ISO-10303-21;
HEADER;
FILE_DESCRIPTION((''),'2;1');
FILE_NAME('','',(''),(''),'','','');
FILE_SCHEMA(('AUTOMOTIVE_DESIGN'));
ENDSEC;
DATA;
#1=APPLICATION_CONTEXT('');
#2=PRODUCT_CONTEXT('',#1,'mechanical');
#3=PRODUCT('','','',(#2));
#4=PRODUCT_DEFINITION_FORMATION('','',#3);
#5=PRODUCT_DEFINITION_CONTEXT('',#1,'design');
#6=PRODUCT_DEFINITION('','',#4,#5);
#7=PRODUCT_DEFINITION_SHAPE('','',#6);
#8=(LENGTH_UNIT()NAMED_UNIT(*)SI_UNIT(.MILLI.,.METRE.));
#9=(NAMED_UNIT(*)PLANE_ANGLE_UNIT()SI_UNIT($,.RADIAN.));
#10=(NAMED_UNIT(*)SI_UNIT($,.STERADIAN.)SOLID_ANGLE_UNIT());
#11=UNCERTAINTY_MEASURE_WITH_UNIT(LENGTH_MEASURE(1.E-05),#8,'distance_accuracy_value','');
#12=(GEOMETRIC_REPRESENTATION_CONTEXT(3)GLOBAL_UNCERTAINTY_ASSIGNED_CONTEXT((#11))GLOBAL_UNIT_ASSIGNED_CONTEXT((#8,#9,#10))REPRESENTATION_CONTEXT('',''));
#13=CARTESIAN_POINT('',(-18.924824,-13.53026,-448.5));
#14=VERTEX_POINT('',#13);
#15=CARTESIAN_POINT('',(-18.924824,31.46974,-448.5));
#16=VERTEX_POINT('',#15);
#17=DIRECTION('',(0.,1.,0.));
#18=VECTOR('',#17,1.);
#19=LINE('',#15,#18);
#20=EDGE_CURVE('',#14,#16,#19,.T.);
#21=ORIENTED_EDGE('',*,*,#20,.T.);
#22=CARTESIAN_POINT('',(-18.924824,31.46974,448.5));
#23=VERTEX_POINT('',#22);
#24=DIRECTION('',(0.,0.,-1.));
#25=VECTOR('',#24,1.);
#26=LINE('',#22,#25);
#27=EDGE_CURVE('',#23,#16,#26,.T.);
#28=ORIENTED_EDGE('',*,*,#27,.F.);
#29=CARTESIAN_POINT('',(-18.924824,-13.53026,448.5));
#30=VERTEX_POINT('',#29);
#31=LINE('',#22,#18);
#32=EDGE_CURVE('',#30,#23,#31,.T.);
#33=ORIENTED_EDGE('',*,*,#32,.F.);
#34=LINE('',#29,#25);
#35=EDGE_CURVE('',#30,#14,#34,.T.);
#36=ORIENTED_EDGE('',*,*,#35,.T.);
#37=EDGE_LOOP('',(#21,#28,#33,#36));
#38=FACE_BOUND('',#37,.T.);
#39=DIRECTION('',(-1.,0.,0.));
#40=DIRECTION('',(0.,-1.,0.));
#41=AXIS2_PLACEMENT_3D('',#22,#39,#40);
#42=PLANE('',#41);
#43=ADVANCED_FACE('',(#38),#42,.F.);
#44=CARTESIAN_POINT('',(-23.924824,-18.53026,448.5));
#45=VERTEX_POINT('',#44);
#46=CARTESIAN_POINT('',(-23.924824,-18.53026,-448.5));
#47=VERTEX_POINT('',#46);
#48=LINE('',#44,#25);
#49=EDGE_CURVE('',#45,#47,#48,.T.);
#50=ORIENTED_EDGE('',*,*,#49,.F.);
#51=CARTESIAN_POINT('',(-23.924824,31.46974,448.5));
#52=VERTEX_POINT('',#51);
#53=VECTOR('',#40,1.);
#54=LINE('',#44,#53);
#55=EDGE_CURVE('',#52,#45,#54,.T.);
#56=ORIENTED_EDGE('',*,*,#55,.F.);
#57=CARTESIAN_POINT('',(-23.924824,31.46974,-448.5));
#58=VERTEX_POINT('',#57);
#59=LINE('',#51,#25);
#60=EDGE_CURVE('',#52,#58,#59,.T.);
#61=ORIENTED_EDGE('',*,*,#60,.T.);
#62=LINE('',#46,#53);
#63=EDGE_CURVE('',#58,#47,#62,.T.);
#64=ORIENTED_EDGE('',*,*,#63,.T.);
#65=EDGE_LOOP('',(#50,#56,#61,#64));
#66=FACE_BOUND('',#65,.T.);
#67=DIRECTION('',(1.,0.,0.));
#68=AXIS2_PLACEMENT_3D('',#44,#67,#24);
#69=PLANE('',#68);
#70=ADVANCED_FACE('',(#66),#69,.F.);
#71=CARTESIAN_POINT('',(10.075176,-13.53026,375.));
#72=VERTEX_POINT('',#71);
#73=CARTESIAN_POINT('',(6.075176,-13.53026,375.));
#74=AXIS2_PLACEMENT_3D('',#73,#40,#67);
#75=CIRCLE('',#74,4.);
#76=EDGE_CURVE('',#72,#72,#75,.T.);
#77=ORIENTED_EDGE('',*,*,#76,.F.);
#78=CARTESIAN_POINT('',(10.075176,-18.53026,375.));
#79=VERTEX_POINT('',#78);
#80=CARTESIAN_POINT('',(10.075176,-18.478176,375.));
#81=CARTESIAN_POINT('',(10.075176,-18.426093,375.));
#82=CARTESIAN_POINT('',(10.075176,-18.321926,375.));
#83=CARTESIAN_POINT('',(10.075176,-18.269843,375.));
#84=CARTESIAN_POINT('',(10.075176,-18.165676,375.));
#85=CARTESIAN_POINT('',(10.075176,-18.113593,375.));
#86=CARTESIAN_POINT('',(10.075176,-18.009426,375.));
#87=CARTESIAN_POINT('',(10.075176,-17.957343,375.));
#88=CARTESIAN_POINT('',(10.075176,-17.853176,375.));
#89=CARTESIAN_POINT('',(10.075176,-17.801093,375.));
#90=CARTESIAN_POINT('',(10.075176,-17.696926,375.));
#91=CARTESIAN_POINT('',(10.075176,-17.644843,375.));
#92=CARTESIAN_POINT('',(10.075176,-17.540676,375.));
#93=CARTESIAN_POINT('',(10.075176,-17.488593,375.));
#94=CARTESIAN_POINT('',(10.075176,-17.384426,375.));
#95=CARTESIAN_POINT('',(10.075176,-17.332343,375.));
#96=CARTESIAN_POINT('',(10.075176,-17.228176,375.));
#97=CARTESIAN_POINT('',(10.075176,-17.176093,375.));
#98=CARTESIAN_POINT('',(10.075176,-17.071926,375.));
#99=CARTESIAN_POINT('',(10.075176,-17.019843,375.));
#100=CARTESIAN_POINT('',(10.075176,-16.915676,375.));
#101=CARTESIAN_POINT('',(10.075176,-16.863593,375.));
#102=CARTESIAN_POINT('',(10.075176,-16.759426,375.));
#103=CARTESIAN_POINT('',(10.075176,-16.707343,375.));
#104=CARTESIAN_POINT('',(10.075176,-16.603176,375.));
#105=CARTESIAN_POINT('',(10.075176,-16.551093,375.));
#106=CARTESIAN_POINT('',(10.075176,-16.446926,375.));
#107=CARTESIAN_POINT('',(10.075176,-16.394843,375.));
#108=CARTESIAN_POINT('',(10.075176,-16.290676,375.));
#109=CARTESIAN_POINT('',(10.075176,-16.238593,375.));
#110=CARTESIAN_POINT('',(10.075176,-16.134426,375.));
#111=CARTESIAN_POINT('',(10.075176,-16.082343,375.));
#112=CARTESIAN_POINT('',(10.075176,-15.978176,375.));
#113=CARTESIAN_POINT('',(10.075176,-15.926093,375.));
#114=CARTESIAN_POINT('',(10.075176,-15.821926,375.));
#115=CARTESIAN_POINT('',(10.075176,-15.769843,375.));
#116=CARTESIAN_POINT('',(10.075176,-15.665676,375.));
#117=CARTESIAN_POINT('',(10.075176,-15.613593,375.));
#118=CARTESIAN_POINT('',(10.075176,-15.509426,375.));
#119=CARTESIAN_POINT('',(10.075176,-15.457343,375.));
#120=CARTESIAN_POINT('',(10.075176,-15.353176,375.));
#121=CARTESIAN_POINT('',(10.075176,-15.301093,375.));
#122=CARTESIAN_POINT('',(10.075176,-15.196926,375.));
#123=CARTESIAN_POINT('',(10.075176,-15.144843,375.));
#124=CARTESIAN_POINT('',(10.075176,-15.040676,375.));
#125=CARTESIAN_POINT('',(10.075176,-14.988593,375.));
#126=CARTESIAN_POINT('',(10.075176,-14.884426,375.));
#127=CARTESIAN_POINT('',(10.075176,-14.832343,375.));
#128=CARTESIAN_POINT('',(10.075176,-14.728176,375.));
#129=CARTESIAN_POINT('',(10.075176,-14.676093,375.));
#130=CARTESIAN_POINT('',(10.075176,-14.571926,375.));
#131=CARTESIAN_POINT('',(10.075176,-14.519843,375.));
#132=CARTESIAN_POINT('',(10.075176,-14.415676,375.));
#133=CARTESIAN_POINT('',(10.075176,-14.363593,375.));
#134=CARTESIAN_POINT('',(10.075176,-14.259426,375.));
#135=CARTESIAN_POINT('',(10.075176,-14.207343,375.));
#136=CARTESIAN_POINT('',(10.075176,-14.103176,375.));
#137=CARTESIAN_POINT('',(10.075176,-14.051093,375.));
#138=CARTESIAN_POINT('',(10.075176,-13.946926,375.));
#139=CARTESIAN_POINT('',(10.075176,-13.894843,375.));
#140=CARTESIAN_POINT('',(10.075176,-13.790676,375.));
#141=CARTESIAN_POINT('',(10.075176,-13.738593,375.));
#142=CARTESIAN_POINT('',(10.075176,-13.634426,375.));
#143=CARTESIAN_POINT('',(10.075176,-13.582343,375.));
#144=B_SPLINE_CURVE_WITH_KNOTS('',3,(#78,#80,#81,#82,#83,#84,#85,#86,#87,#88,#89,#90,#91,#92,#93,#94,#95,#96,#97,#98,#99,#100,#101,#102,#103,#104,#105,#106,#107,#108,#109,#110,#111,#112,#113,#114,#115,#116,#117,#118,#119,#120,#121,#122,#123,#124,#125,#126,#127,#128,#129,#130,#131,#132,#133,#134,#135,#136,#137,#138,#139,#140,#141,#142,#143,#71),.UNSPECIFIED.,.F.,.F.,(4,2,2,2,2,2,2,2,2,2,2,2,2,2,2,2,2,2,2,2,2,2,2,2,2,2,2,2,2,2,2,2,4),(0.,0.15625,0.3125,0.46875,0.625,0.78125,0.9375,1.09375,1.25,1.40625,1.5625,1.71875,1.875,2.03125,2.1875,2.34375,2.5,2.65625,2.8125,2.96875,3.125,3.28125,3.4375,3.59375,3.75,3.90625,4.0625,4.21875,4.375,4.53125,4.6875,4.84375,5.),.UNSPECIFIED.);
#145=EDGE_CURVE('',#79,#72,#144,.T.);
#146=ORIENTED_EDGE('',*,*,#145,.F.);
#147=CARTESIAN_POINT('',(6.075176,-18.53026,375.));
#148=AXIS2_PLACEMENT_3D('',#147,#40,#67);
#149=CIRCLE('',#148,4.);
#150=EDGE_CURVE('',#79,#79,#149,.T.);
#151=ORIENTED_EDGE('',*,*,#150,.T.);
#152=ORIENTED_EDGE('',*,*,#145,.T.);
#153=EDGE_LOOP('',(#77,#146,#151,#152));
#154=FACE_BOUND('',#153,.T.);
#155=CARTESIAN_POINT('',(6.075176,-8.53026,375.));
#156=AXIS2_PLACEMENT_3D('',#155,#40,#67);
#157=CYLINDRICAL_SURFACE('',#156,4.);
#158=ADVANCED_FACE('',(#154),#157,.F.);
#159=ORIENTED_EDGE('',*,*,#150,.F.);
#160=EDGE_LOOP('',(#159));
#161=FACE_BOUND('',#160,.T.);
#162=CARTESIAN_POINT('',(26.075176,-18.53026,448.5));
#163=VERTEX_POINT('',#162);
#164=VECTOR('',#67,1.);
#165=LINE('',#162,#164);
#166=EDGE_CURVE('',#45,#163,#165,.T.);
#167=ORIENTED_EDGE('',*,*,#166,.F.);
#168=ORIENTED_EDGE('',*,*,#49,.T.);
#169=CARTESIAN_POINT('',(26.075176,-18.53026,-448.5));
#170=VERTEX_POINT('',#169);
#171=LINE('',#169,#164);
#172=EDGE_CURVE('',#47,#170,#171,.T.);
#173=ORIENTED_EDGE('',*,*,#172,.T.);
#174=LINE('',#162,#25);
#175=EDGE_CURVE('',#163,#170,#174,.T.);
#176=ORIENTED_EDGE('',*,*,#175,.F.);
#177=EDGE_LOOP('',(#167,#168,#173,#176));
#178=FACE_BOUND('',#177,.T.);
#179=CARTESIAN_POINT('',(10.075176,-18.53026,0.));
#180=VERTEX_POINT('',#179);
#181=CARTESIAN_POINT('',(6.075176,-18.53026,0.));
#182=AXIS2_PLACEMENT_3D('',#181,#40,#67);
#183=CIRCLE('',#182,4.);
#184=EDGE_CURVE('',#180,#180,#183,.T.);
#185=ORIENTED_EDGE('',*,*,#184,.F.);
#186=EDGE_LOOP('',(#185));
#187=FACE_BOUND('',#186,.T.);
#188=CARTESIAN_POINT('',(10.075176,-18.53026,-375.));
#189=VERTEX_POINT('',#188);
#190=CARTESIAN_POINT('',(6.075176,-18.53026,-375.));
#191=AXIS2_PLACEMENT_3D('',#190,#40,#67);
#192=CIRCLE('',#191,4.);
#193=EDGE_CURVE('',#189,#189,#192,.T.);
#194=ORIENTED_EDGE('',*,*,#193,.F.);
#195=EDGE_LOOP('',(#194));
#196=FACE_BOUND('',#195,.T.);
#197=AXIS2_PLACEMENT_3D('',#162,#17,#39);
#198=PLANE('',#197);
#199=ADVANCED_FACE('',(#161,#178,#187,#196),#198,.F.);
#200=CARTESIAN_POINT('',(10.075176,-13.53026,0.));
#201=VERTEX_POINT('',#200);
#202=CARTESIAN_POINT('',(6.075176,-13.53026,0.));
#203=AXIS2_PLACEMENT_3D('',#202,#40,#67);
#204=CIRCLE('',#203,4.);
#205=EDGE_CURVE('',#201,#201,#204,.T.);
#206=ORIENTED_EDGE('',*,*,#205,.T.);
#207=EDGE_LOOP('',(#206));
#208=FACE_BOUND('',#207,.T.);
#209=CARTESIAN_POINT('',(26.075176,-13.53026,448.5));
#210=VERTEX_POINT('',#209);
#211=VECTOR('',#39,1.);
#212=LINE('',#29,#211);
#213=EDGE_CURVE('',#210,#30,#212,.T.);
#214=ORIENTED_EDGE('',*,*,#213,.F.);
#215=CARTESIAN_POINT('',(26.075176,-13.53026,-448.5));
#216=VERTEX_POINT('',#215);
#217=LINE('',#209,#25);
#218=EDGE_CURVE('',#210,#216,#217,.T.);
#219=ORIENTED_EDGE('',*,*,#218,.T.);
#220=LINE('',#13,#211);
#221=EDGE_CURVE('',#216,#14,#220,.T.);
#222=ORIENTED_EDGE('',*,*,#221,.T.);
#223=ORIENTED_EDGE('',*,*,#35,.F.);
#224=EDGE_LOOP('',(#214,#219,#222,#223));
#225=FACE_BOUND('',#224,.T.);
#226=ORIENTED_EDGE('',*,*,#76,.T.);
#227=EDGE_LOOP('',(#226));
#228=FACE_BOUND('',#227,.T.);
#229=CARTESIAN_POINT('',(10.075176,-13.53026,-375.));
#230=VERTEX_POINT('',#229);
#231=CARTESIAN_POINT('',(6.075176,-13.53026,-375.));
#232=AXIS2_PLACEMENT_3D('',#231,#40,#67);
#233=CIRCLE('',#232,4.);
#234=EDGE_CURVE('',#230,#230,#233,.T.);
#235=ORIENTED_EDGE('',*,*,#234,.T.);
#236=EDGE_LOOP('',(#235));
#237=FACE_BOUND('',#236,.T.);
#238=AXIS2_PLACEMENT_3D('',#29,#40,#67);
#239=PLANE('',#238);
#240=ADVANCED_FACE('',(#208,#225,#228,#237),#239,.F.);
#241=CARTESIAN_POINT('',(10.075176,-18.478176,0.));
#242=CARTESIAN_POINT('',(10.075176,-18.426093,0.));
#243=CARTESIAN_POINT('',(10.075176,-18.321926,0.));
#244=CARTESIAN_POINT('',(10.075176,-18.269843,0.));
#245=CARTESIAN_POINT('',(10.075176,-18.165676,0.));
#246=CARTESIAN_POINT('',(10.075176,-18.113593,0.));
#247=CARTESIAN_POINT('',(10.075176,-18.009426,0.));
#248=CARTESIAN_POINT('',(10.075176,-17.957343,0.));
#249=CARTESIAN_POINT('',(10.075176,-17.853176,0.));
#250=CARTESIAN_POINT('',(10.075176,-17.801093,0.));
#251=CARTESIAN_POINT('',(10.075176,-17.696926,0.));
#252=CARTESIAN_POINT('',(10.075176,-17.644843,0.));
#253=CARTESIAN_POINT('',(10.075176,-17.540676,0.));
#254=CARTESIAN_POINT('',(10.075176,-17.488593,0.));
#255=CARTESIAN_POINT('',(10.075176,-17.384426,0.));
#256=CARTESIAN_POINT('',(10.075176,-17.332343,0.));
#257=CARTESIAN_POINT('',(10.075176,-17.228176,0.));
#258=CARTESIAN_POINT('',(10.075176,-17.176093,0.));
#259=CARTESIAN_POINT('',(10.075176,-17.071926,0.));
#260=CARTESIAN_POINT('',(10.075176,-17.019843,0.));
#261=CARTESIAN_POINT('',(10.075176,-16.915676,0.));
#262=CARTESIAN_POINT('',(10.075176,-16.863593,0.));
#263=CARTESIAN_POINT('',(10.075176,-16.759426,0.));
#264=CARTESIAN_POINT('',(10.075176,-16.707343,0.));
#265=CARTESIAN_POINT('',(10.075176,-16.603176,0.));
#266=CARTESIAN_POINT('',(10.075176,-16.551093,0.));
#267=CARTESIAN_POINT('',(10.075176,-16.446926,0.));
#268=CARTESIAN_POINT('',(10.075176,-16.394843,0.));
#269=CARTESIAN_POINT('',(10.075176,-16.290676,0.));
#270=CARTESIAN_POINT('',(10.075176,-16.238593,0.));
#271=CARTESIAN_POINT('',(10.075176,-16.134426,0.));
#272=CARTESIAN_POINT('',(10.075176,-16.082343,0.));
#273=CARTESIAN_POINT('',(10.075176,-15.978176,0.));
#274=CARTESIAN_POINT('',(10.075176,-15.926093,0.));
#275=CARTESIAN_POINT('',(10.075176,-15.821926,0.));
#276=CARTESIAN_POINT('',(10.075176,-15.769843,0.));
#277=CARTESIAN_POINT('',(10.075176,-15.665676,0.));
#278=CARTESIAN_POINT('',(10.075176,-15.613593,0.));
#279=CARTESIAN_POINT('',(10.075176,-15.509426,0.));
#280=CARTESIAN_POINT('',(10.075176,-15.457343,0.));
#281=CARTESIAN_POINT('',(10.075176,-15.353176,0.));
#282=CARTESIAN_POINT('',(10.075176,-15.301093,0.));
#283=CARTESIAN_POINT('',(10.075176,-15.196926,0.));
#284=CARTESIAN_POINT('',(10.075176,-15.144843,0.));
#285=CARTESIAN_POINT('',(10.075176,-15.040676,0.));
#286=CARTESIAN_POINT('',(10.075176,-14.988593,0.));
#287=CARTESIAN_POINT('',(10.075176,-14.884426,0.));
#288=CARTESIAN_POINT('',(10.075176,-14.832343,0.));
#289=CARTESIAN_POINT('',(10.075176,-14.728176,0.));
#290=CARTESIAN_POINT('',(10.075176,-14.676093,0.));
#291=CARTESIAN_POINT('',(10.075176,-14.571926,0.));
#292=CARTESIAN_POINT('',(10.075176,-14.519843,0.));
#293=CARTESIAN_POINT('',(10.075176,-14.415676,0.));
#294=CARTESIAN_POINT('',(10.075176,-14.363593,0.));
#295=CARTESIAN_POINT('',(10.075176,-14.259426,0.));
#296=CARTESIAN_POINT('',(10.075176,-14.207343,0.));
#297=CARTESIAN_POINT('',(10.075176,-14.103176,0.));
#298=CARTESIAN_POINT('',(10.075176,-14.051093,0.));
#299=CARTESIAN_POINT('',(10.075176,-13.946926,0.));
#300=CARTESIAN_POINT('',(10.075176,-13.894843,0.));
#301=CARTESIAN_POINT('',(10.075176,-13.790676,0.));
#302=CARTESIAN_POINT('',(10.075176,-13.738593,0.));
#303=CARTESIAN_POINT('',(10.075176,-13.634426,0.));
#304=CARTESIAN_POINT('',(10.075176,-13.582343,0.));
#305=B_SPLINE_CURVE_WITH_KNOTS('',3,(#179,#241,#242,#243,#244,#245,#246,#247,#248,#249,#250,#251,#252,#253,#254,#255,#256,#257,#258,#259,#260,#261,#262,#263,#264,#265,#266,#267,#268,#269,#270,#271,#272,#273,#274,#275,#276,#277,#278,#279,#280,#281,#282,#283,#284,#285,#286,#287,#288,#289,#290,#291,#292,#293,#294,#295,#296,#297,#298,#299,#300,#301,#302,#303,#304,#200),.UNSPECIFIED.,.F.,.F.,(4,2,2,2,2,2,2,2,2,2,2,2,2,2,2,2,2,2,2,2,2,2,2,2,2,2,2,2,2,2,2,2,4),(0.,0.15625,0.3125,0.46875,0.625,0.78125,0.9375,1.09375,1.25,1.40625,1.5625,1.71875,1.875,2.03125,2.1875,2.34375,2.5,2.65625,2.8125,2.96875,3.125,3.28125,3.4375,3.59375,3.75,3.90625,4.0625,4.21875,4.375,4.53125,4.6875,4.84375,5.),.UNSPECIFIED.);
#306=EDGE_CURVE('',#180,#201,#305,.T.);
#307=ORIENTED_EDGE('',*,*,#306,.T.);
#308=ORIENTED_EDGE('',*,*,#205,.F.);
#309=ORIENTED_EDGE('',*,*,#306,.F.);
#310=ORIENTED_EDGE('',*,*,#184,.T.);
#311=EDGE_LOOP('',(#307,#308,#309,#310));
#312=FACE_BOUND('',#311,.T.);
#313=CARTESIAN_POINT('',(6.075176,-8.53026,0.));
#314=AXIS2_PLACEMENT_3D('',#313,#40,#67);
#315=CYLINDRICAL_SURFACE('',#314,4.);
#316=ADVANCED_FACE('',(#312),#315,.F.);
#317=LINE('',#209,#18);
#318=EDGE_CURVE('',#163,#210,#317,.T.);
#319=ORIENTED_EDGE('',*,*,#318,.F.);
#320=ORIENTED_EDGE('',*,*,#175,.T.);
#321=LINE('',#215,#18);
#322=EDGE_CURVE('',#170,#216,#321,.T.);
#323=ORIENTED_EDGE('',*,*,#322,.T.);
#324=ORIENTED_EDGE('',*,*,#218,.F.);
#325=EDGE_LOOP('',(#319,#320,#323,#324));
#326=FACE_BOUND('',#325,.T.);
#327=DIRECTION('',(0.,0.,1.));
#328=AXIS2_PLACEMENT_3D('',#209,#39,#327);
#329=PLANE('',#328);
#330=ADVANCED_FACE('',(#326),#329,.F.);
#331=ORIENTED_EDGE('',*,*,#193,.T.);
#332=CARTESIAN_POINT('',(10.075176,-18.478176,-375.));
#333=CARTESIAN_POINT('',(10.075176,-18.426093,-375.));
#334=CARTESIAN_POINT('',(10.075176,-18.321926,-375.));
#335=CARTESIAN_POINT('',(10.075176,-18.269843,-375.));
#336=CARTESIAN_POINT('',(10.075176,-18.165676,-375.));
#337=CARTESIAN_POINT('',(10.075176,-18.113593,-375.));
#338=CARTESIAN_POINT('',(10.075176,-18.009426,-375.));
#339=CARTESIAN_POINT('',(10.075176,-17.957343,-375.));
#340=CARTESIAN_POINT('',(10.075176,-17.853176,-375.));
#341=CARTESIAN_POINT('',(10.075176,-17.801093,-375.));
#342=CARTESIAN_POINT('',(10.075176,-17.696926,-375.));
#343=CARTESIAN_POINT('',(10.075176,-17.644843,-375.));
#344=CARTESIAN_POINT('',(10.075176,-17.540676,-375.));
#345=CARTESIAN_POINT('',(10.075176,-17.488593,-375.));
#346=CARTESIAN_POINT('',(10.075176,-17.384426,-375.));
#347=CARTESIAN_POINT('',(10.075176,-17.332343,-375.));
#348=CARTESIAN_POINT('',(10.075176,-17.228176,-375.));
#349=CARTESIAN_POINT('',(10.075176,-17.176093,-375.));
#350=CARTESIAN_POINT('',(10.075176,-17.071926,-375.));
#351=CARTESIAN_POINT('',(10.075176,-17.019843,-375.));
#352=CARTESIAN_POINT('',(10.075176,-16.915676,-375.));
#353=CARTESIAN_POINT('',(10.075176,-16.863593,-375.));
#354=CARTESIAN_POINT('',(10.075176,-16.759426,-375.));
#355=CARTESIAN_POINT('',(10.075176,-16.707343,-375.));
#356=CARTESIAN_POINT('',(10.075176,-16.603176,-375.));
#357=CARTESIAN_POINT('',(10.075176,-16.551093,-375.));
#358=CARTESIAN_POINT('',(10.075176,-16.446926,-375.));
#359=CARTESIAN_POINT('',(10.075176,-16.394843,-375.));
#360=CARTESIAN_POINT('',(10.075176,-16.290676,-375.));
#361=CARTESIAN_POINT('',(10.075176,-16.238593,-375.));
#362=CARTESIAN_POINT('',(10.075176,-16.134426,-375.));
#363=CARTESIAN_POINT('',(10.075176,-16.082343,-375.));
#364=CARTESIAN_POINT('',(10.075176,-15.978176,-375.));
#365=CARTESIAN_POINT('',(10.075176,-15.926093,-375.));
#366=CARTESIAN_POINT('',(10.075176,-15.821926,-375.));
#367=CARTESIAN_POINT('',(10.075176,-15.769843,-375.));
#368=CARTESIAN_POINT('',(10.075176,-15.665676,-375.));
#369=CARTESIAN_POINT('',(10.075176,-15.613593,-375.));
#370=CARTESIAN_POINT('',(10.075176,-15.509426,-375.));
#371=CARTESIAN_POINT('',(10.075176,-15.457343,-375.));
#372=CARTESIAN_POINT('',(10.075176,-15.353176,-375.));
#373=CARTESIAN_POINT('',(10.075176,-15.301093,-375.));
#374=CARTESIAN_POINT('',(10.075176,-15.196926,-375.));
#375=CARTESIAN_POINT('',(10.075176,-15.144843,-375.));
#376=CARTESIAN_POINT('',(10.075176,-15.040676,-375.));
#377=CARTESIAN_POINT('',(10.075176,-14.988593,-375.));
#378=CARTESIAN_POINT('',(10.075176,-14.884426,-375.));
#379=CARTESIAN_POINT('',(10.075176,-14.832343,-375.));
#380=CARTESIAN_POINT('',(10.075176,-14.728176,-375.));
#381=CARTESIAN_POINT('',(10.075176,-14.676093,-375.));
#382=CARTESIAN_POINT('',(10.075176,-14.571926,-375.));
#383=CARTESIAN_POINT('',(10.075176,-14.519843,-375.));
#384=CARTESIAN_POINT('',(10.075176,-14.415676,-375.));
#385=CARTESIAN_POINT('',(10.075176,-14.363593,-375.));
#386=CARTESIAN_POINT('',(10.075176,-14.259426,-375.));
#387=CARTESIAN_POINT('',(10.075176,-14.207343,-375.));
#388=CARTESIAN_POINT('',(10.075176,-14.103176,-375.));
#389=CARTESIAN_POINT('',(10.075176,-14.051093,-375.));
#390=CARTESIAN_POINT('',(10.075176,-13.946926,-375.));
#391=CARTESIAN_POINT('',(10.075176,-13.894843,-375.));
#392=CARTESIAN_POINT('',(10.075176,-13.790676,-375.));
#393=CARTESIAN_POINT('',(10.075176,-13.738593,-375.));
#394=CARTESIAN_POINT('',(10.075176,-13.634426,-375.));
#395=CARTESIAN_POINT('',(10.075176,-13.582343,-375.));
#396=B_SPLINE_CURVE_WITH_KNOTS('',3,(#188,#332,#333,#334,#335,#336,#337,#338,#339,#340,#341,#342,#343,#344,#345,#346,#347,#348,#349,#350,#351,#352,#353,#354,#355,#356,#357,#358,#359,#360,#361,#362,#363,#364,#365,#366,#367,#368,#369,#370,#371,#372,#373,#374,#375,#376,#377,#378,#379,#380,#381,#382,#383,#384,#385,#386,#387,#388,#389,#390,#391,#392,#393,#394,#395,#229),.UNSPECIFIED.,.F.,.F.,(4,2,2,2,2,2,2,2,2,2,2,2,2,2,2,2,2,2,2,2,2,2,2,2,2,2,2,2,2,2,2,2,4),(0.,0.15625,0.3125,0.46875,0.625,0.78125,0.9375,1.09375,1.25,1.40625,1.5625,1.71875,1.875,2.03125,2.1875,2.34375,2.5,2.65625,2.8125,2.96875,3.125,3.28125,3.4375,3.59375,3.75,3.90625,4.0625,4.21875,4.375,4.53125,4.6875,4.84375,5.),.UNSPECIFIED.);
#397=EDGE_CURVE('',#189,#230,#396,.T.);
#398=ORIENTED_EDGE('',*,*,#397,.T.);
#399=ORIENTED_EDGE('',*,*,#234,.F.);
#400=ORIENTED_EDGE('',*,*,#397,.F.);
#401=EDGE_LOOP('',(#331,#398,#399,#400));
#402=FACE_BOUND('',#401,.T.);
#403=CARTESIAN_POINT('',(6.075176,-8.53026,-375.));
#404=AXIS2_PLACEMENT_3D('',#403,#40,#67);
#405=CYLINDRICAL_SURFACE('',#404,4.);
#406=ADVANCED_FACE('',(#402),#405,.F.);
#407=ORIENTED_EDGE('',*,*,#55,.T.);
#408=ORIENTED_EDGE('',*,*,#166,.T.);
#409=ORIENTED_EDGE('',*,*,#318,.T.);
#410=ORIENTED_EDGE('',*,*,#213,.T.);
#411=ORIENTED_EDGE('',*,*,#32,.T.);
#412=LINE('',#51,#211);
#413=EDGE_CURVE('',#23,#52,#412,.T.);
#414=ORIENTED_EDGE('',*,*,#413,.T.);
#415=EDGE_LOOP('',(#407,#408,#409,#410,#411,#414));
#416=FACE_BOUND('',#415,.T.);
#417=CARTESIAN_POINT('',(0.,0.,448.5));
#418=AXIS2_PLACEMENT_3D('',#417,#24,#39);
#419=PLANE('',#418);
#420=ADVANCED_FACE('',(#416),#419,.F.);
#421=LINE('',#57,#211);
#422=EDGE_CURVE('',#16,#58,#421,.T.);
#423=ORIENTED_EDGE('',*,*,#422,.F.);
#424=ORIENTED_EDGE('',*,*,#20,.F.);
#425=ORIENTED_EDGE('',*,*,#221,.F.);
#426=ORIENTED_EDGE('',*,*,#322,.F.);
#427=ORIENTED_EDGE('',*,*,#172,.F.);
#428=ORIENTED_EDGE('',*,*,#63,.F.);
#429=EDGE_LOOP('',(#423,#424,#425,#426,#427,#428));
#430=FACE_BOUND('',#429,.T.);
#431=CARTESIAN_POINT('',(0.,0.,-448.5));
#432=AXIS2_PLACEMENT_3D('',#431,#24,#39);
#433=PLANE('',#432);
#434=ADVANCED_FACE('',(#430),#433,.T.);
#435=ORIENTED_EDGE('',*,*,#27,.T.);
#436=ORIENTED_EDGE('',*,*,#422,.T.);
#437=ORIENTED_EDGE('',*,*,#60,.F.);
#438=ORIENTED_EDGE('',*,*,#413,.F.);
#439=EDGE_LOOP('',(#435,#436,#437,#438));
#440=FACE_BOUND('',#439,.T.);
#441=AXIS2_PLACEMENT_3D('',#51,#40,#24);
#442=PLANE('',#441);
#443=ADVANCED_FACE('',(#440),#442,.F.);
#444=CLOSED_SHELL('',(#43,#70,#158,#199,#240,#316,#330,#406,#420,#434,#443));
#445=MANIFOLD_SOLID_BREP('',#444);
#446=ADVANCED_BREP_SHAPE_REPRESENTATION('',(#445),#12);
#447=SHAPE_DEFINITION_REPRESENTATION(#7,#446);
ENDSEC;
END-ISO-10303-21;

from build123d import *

# Parameters (mm, degrees)
BOSS_EXTRUDE1_DEPTH = 448.5
SKETCH2_R           = 4
CUT_EXTRUDE1_DEPTH  = 10
LPATTERN1_COUNT     = 3
LPATTERN1_PITCH     = 375


with BuildPart() as part:
    # Sketch1 → Boss-Extrude1 (new, symmetric)
    with BuildSketch(Plane.XY):
        Polygon((-18.924824174, 31.469740292), (-18.924824174, -13.530259708), (26.075175826, -13.530259708), (26.075175826, -18.530259708), (-23.924824174, -18.530259708), (-23.924824174, 31.469740292), align=None)
    extrude(amount=BOSS_EXTRUDE1_DEPTH, both=True)

    # Sketch2 → Cut-Extrude1 (cut)
    with BuildSketch(Plane.XZ.offset(18.530259708)):
        with Locations((6.075175826, 375)):
            Circle(SKETCH2_R)
    cut_extrude1 = extrude(amount=-CUT_EXTRUDE1_DEPTH, mode=Mode.SUBTRACT)

    # LPattern1: Cut-Extrude1 ×3
    with Locations(*[(0, 0, -i * LPATTERN1_PITCH) for i in range(1, LPATTERN1_COUNT)]):
        add(cut_extrude1, mode=Mode.SUBTRACT)


solid = part.part
